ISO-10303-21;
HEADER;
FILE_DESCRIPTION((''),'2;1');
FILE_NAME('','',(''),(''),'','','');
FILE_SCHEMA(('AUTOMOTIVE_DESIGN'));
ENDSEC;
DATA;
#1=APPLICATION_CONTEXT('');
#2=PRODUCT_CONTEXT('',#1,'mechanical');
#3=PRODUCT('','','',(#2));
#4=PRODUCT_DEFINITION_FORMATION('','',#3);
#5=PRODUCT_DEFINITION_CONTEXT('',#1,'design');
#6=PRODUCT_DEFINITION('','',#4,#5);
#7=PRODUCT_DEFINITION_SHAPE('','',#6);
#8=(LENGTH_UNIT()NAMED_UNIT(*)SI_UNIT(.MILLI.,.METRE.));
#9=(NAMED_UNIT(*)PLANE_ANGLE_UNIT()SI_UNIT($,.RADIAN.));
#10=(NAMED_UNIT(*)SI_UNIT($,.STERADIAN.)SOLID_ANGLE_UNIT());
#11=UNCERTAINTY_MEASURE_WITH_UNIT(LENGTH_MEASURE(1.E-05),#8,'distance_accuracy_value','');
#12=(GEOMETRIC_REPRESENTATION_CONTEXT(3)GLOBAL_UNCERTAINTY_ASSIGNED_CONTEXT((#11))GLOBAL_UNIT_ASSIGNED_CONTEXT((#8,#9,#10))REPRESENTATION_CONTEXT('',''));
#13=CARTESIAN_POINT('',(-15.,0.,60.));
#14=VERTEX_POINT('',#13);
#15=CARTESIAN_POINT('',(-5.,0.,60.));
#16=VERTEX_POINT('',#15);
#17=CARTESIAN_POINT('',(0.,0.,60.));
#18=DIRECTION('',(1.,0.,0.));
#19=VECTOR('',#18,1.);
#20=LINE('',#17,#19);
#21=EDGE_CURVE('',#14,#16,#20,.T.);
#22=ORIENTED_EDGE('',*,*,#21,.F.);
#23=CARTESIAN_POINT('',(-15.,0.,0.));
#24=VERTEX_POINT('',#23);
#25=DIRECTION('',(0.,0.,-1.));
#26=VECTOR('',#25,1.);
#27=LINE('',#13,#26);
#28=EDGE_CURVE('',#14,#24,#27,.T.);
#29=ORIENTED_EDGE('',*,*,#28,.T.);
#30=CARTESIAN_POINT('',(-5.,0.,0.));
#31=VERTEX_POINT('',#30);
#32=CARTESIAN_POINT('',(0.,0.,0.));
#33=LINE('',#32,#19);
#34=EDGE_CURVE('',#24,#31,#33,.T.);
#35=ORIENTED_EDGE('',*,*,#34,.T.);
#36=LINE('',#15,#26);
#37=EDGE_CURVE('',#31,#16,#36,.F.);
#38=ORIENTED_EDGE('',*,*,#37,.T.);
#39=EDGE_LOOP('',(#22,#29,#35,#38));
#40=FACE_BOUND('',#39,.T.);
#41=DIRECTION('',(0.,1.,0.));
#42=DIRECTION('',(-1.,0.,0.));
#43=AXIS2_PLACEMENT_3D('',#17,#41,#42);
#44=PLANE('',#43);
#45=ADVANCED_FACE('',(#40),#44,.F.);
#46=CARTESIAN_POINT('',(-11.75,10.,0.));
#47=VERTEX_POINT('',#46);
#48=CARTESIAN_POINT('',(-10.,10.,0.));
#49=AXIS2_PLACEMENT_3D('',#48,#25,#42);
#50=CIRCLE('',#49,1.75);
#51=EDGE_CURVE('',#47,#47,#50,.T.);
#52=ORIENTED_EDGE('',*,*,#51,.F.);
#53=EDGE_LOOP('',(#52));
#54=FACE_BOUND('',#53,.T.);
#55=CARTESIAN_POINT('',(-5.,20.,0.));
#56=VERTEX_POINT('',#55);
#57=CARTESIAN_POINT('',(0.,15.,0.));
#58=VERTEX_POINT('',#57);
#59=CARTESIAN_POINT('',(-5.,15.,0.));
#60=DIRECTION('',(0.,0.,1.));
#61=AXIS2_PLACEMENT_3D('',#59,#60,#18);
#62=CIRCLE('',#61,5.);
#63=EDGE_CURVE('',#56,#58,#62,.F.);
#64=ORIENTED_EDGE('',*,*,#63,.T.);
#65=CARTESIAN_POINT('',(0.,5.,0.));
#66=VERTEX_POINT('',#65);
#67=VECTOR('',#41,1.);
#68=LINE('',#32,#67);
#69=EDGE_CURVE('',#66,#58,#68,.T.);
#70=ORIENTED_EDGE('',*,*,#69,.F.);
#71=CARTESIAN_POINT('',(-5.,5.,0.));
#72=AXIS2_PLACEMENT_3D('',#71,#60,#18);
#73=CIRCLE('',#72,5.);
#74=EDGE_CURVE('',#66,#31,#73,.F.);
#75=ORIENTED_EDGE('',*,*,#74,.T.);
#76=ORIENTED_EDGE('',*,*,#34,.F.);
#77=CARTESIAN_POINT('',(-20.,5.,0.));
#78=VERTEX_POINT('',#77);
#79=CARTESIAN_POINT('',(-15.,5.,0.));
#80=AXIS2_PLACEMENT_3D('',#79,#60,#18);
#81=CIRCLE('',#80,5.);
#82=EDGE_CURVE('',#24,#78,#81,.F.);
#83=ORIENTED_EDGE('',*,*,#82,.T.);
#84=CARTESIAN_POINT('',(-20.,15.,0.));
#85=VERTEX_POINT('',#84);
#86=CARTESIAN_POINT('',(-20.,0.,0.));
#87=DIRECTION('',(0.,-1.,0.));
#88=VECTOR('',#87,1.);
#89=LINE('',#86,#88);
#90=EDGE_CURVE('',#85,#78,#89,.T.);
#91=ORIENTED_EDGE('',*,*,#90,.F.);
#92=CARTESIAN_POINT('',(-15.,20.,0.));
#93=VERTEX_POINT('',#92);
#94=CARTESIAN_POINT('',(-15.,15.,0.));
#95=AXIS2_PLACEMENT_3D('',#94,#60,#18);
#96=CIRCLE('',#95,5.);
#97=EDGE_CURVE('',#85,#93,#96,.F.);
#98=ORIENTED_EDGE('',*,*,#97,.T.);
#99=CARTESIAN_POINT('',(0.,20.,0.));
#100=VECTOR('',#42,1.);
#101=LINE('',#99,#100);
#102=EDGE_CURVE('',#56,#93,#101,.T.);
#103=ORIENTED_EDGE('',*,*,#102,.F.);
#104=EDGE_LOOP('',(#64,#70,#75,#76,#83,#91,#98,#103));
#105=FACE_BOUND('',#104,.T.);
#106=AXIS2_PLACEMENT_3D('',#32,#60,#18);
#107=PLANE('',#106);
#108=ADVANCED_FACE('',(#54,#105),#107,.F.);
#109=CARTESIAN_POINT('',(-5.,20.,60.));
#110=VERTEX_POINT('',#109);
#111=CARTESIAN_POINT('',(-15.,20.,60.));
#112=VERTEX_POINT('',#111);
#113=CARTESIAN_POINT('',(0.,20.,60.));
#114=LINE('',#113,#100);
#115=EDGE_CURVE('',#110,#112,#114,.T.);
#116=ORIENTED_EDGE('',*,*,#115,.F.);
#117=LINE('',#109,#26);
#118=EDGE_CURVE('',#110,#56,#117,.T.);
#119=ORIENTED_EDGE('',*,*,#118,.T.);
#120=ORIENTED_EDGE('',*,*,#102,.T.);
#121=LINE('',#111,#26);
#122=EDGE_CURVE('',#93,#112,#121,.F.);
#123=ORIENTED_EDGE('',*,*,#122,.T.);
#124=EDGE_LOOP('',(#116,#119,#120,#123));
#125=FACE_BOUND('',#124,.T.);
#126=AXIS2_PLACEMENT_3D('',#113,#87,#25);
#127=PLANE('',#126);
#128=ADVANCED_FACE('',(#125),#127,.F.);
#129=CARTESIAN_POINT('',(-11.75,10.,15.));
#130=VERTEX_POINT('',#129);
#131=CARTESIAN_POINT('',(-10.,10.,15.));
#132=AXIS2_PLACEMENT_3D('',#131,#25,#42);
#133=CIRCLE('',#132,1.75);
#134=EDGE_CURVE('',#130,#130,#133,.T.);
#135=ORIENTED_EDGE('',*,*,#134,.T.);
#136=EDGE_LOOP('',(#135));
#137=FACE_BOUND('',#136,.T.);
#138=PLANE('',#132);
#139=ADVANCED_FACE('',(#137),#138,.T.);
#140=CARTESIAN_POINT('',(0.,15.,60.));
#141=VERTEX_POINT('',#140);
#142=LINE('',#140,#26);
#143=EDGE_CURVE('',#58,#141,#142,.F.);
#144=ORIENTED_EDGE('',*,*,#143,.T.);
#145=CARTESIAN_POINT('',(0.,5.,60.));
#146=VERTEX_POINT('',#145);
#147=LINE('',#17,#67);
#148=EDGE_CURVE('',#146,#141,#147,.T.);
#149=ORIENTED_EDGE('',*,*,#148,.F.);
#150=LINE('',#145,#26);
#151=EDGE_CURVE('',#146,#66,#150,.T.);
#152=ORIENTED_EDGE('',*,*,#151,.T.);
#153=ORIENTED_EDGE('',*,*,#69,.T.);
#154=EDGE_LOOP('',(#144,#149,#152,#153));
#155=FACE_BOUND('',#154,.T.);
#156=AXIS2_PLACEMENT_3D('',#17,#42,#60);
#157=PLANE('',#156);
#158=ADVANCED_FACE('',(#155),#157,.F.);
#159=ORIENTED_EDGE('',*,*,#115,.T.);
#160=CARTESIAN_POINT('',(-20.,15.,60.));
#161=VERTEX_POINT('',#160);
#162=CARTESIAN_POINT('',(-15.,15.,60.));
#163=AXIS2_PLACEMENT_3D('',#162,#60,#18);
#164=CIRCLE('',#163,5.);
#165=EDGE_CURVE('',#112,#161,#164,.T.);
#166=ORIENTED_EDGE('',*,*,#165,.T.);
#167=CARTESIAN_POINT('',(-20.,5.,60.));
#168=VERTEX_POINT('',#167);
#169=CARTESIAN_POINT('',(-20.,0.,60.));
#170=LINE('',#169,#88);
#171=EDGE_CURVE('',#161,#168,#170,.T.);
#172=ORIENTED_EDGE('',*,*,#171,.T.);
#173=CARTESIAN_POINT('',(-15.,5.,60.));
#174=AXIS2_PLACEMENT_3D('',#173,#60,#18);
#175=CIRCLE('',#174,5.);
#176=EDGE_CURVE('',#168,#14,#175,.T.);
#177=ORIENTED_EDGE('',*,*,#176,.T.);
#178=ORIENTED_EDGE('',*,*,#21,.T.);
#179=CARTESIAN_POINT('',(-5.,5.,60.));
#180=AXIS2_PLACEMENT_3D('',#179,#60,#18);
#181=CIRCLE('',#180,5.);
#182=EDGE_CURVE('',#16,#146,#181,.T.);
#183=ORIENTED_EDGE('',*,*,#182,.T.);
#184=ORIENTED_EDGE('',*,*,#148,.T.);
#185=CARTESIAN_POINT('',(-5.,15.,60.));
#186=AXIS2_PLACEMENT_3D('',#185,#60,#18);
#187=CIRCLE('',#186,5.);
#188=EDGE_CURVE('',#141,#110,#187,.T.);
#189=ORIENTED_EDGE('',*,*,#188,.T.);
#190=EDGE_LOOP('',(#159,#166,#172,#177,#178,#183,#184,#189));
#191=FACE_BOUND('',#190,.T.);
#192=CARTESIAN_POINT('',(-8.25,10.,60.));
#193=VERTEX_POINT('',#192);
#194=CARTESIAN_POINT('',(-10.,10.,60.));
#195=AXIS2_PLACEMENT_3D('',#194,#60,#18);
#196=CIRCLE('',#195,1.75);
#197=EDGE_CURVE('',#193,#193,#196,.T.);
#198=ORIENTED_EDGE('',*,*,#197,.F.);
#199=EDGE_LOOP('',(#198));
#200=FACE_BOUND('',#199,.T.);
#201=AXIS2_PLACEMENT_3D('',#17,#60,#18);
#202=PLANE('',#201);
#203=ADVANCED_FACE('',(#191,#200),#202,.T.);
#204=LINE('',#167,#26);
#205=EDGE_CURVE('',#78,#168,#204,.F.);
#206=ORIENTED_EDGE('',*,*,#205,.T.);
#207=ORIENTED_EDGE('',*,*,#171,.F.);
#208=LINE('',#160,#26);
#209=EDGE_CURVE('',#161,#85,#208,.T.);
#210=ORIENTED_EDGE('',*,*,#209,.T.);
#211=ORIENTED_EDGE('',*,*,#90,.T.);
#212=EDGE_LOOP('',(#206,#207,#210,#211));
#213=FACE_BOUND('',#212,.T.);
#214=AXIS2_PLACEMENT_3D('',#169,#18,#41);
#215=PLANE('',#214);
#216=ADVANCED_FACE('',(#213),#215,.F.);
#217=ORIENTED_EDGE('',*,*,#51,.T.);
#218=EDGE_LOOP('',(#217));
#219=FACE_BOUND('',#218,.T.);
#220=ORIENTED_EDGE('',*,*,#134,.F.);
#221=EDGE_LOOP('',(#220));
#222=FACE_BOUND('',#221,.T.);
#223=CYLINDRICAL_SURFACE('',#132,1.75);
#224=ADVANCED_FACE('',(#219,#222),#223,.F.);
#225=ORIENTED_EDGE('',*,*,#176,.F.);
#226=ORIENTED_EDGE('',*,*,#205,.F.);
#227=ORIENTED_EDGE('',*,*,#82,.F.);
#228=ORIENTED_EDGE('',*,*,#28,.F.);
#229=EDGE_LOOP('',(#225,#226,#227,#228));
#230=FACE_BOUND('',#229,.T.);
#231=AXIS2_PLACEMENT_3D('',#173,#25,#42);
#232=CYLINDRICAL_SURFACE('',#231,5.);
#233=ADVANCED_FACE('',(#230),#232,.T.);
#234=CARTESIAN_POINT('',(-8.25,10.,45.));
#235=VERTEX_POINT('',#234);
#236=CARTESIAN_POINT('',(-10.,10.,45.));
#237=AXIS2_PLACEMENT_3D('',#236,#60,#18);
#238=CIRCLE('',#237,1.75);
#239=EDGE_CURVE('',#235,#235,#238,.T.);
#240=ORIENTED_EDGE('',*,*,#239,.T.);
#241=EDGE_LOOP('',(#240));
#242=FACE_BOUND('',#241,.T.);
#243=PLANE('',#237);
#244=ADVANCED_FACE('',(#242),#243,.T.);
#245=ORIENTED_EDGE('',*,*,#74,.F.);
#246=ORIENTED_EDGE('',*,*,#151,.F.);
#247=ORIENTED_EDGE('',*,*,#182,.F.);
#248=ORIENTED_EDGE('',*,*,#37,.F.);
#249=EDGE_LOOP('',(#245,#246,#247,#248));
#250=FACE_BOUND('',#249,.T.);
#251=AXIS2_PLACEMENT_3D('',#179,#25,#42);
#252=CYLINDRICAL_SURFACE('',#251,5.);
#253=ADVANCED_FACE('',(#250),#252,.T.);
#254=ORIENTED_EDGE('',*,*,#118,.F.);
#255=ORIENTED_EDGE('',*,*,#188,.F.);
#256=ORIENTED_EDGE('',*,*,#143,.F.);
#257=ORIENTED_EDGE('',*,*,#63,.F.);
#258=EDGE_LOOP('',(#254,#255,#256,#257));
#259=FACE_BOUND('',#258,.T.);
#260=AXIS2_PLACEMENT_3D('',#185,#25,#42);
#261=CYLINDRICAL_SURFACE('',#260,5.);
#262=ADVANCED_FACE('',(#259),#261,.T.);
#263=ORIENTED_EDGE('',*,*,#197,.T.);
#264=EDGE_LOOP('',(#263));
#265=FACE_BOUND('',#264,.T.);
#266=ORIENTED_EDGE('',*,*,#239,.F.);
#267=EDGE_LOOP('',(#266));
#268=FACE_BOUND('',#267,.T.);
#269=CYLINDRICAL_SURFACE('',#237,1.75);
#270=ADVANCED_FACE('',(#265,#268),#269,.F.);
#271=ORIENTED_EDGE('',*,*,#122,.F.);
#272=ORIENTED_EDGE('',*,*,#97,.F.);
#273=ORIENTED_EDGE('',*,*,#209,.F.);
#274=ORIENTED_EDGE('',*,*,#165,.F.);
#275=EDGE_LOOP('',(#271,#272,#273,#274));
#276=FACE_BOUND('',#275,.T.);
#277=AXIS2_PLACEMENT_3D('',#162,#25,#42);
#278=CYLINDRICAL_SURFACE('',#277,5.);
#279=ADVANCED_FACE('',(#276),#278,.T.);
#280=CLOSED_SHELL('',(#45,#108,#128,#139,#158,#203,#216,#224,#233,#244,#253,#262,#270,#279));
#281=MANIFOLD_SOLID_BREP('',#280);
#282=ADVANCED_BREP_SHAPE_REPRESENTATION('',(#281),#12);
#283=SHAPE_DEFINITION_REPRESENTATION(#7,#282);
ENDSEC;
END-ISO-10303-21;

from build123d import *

# Parameters (mm, degrees)
ESQUISSE1_W             = 20
ESQUISSE1_H             = 20
BOSS_EXTRU_1_DEPTH      = 60
ESQUISSE2_R             = 1.75
ENL_V_MAT_EXTRU_1_DEPTH = 15
ENL_V_START             = -15
ESQUISSE3_R             = 1.75
ENL_V_MAT_EXTRU_2_DEPTH = 15
CONG_1_R                = 5


with BuildPart() as part:
    # Esquisse1 → Boss.-Extru.1 (new body)
    with BuildSketch(Plane.XY):
        with Locations((-10, 10)):
            Rectangle(ESQUISSE1_W, ESQUISSE1_H)
    extrude(amount=BOSS_EXTRU_1_DEPTH)

    # Esquisse2 → Enlèv. mat.-Extru.1 (cut)
    with BuildSketch(Plane.XY.offset(60)):
        with Locations((-10, 10)):
            Circle(ESQUISSE2_R)
    extrude(amount=-ENL_V_MAT_EXTRU_1_DEPTH, mode=Mode.SUBTRACT)

    # Esquisse3 → Enlèv. mat.-Extru.2 (cut)
    with BuildSketch(Plane(origin=(0, 0, 0), x_dir=(-1, 0, 0), z_dir=(0, 0, -1)).offset(ENL_V_START)):
        with Locations(Location((10, 10, 0), (0, 0, 180))):
            Circle(ESQUISSE3_R)
    extrude(amount=ENL_V_MAT_EXTRU_2_DEPTH, mode=Mode.SUBTRACT)

    # Congé1
    cong_1_edges = [part.edges().sort_by_distance(p)[0] for p in [
        (0, 0, 30),
        (-20, 0, 30),
        (-20, 20, 30),
        (0, 20, 30),
    ]]
    fillet(cong_1_edges, radius=CONG_1_R)


solid = part.part
